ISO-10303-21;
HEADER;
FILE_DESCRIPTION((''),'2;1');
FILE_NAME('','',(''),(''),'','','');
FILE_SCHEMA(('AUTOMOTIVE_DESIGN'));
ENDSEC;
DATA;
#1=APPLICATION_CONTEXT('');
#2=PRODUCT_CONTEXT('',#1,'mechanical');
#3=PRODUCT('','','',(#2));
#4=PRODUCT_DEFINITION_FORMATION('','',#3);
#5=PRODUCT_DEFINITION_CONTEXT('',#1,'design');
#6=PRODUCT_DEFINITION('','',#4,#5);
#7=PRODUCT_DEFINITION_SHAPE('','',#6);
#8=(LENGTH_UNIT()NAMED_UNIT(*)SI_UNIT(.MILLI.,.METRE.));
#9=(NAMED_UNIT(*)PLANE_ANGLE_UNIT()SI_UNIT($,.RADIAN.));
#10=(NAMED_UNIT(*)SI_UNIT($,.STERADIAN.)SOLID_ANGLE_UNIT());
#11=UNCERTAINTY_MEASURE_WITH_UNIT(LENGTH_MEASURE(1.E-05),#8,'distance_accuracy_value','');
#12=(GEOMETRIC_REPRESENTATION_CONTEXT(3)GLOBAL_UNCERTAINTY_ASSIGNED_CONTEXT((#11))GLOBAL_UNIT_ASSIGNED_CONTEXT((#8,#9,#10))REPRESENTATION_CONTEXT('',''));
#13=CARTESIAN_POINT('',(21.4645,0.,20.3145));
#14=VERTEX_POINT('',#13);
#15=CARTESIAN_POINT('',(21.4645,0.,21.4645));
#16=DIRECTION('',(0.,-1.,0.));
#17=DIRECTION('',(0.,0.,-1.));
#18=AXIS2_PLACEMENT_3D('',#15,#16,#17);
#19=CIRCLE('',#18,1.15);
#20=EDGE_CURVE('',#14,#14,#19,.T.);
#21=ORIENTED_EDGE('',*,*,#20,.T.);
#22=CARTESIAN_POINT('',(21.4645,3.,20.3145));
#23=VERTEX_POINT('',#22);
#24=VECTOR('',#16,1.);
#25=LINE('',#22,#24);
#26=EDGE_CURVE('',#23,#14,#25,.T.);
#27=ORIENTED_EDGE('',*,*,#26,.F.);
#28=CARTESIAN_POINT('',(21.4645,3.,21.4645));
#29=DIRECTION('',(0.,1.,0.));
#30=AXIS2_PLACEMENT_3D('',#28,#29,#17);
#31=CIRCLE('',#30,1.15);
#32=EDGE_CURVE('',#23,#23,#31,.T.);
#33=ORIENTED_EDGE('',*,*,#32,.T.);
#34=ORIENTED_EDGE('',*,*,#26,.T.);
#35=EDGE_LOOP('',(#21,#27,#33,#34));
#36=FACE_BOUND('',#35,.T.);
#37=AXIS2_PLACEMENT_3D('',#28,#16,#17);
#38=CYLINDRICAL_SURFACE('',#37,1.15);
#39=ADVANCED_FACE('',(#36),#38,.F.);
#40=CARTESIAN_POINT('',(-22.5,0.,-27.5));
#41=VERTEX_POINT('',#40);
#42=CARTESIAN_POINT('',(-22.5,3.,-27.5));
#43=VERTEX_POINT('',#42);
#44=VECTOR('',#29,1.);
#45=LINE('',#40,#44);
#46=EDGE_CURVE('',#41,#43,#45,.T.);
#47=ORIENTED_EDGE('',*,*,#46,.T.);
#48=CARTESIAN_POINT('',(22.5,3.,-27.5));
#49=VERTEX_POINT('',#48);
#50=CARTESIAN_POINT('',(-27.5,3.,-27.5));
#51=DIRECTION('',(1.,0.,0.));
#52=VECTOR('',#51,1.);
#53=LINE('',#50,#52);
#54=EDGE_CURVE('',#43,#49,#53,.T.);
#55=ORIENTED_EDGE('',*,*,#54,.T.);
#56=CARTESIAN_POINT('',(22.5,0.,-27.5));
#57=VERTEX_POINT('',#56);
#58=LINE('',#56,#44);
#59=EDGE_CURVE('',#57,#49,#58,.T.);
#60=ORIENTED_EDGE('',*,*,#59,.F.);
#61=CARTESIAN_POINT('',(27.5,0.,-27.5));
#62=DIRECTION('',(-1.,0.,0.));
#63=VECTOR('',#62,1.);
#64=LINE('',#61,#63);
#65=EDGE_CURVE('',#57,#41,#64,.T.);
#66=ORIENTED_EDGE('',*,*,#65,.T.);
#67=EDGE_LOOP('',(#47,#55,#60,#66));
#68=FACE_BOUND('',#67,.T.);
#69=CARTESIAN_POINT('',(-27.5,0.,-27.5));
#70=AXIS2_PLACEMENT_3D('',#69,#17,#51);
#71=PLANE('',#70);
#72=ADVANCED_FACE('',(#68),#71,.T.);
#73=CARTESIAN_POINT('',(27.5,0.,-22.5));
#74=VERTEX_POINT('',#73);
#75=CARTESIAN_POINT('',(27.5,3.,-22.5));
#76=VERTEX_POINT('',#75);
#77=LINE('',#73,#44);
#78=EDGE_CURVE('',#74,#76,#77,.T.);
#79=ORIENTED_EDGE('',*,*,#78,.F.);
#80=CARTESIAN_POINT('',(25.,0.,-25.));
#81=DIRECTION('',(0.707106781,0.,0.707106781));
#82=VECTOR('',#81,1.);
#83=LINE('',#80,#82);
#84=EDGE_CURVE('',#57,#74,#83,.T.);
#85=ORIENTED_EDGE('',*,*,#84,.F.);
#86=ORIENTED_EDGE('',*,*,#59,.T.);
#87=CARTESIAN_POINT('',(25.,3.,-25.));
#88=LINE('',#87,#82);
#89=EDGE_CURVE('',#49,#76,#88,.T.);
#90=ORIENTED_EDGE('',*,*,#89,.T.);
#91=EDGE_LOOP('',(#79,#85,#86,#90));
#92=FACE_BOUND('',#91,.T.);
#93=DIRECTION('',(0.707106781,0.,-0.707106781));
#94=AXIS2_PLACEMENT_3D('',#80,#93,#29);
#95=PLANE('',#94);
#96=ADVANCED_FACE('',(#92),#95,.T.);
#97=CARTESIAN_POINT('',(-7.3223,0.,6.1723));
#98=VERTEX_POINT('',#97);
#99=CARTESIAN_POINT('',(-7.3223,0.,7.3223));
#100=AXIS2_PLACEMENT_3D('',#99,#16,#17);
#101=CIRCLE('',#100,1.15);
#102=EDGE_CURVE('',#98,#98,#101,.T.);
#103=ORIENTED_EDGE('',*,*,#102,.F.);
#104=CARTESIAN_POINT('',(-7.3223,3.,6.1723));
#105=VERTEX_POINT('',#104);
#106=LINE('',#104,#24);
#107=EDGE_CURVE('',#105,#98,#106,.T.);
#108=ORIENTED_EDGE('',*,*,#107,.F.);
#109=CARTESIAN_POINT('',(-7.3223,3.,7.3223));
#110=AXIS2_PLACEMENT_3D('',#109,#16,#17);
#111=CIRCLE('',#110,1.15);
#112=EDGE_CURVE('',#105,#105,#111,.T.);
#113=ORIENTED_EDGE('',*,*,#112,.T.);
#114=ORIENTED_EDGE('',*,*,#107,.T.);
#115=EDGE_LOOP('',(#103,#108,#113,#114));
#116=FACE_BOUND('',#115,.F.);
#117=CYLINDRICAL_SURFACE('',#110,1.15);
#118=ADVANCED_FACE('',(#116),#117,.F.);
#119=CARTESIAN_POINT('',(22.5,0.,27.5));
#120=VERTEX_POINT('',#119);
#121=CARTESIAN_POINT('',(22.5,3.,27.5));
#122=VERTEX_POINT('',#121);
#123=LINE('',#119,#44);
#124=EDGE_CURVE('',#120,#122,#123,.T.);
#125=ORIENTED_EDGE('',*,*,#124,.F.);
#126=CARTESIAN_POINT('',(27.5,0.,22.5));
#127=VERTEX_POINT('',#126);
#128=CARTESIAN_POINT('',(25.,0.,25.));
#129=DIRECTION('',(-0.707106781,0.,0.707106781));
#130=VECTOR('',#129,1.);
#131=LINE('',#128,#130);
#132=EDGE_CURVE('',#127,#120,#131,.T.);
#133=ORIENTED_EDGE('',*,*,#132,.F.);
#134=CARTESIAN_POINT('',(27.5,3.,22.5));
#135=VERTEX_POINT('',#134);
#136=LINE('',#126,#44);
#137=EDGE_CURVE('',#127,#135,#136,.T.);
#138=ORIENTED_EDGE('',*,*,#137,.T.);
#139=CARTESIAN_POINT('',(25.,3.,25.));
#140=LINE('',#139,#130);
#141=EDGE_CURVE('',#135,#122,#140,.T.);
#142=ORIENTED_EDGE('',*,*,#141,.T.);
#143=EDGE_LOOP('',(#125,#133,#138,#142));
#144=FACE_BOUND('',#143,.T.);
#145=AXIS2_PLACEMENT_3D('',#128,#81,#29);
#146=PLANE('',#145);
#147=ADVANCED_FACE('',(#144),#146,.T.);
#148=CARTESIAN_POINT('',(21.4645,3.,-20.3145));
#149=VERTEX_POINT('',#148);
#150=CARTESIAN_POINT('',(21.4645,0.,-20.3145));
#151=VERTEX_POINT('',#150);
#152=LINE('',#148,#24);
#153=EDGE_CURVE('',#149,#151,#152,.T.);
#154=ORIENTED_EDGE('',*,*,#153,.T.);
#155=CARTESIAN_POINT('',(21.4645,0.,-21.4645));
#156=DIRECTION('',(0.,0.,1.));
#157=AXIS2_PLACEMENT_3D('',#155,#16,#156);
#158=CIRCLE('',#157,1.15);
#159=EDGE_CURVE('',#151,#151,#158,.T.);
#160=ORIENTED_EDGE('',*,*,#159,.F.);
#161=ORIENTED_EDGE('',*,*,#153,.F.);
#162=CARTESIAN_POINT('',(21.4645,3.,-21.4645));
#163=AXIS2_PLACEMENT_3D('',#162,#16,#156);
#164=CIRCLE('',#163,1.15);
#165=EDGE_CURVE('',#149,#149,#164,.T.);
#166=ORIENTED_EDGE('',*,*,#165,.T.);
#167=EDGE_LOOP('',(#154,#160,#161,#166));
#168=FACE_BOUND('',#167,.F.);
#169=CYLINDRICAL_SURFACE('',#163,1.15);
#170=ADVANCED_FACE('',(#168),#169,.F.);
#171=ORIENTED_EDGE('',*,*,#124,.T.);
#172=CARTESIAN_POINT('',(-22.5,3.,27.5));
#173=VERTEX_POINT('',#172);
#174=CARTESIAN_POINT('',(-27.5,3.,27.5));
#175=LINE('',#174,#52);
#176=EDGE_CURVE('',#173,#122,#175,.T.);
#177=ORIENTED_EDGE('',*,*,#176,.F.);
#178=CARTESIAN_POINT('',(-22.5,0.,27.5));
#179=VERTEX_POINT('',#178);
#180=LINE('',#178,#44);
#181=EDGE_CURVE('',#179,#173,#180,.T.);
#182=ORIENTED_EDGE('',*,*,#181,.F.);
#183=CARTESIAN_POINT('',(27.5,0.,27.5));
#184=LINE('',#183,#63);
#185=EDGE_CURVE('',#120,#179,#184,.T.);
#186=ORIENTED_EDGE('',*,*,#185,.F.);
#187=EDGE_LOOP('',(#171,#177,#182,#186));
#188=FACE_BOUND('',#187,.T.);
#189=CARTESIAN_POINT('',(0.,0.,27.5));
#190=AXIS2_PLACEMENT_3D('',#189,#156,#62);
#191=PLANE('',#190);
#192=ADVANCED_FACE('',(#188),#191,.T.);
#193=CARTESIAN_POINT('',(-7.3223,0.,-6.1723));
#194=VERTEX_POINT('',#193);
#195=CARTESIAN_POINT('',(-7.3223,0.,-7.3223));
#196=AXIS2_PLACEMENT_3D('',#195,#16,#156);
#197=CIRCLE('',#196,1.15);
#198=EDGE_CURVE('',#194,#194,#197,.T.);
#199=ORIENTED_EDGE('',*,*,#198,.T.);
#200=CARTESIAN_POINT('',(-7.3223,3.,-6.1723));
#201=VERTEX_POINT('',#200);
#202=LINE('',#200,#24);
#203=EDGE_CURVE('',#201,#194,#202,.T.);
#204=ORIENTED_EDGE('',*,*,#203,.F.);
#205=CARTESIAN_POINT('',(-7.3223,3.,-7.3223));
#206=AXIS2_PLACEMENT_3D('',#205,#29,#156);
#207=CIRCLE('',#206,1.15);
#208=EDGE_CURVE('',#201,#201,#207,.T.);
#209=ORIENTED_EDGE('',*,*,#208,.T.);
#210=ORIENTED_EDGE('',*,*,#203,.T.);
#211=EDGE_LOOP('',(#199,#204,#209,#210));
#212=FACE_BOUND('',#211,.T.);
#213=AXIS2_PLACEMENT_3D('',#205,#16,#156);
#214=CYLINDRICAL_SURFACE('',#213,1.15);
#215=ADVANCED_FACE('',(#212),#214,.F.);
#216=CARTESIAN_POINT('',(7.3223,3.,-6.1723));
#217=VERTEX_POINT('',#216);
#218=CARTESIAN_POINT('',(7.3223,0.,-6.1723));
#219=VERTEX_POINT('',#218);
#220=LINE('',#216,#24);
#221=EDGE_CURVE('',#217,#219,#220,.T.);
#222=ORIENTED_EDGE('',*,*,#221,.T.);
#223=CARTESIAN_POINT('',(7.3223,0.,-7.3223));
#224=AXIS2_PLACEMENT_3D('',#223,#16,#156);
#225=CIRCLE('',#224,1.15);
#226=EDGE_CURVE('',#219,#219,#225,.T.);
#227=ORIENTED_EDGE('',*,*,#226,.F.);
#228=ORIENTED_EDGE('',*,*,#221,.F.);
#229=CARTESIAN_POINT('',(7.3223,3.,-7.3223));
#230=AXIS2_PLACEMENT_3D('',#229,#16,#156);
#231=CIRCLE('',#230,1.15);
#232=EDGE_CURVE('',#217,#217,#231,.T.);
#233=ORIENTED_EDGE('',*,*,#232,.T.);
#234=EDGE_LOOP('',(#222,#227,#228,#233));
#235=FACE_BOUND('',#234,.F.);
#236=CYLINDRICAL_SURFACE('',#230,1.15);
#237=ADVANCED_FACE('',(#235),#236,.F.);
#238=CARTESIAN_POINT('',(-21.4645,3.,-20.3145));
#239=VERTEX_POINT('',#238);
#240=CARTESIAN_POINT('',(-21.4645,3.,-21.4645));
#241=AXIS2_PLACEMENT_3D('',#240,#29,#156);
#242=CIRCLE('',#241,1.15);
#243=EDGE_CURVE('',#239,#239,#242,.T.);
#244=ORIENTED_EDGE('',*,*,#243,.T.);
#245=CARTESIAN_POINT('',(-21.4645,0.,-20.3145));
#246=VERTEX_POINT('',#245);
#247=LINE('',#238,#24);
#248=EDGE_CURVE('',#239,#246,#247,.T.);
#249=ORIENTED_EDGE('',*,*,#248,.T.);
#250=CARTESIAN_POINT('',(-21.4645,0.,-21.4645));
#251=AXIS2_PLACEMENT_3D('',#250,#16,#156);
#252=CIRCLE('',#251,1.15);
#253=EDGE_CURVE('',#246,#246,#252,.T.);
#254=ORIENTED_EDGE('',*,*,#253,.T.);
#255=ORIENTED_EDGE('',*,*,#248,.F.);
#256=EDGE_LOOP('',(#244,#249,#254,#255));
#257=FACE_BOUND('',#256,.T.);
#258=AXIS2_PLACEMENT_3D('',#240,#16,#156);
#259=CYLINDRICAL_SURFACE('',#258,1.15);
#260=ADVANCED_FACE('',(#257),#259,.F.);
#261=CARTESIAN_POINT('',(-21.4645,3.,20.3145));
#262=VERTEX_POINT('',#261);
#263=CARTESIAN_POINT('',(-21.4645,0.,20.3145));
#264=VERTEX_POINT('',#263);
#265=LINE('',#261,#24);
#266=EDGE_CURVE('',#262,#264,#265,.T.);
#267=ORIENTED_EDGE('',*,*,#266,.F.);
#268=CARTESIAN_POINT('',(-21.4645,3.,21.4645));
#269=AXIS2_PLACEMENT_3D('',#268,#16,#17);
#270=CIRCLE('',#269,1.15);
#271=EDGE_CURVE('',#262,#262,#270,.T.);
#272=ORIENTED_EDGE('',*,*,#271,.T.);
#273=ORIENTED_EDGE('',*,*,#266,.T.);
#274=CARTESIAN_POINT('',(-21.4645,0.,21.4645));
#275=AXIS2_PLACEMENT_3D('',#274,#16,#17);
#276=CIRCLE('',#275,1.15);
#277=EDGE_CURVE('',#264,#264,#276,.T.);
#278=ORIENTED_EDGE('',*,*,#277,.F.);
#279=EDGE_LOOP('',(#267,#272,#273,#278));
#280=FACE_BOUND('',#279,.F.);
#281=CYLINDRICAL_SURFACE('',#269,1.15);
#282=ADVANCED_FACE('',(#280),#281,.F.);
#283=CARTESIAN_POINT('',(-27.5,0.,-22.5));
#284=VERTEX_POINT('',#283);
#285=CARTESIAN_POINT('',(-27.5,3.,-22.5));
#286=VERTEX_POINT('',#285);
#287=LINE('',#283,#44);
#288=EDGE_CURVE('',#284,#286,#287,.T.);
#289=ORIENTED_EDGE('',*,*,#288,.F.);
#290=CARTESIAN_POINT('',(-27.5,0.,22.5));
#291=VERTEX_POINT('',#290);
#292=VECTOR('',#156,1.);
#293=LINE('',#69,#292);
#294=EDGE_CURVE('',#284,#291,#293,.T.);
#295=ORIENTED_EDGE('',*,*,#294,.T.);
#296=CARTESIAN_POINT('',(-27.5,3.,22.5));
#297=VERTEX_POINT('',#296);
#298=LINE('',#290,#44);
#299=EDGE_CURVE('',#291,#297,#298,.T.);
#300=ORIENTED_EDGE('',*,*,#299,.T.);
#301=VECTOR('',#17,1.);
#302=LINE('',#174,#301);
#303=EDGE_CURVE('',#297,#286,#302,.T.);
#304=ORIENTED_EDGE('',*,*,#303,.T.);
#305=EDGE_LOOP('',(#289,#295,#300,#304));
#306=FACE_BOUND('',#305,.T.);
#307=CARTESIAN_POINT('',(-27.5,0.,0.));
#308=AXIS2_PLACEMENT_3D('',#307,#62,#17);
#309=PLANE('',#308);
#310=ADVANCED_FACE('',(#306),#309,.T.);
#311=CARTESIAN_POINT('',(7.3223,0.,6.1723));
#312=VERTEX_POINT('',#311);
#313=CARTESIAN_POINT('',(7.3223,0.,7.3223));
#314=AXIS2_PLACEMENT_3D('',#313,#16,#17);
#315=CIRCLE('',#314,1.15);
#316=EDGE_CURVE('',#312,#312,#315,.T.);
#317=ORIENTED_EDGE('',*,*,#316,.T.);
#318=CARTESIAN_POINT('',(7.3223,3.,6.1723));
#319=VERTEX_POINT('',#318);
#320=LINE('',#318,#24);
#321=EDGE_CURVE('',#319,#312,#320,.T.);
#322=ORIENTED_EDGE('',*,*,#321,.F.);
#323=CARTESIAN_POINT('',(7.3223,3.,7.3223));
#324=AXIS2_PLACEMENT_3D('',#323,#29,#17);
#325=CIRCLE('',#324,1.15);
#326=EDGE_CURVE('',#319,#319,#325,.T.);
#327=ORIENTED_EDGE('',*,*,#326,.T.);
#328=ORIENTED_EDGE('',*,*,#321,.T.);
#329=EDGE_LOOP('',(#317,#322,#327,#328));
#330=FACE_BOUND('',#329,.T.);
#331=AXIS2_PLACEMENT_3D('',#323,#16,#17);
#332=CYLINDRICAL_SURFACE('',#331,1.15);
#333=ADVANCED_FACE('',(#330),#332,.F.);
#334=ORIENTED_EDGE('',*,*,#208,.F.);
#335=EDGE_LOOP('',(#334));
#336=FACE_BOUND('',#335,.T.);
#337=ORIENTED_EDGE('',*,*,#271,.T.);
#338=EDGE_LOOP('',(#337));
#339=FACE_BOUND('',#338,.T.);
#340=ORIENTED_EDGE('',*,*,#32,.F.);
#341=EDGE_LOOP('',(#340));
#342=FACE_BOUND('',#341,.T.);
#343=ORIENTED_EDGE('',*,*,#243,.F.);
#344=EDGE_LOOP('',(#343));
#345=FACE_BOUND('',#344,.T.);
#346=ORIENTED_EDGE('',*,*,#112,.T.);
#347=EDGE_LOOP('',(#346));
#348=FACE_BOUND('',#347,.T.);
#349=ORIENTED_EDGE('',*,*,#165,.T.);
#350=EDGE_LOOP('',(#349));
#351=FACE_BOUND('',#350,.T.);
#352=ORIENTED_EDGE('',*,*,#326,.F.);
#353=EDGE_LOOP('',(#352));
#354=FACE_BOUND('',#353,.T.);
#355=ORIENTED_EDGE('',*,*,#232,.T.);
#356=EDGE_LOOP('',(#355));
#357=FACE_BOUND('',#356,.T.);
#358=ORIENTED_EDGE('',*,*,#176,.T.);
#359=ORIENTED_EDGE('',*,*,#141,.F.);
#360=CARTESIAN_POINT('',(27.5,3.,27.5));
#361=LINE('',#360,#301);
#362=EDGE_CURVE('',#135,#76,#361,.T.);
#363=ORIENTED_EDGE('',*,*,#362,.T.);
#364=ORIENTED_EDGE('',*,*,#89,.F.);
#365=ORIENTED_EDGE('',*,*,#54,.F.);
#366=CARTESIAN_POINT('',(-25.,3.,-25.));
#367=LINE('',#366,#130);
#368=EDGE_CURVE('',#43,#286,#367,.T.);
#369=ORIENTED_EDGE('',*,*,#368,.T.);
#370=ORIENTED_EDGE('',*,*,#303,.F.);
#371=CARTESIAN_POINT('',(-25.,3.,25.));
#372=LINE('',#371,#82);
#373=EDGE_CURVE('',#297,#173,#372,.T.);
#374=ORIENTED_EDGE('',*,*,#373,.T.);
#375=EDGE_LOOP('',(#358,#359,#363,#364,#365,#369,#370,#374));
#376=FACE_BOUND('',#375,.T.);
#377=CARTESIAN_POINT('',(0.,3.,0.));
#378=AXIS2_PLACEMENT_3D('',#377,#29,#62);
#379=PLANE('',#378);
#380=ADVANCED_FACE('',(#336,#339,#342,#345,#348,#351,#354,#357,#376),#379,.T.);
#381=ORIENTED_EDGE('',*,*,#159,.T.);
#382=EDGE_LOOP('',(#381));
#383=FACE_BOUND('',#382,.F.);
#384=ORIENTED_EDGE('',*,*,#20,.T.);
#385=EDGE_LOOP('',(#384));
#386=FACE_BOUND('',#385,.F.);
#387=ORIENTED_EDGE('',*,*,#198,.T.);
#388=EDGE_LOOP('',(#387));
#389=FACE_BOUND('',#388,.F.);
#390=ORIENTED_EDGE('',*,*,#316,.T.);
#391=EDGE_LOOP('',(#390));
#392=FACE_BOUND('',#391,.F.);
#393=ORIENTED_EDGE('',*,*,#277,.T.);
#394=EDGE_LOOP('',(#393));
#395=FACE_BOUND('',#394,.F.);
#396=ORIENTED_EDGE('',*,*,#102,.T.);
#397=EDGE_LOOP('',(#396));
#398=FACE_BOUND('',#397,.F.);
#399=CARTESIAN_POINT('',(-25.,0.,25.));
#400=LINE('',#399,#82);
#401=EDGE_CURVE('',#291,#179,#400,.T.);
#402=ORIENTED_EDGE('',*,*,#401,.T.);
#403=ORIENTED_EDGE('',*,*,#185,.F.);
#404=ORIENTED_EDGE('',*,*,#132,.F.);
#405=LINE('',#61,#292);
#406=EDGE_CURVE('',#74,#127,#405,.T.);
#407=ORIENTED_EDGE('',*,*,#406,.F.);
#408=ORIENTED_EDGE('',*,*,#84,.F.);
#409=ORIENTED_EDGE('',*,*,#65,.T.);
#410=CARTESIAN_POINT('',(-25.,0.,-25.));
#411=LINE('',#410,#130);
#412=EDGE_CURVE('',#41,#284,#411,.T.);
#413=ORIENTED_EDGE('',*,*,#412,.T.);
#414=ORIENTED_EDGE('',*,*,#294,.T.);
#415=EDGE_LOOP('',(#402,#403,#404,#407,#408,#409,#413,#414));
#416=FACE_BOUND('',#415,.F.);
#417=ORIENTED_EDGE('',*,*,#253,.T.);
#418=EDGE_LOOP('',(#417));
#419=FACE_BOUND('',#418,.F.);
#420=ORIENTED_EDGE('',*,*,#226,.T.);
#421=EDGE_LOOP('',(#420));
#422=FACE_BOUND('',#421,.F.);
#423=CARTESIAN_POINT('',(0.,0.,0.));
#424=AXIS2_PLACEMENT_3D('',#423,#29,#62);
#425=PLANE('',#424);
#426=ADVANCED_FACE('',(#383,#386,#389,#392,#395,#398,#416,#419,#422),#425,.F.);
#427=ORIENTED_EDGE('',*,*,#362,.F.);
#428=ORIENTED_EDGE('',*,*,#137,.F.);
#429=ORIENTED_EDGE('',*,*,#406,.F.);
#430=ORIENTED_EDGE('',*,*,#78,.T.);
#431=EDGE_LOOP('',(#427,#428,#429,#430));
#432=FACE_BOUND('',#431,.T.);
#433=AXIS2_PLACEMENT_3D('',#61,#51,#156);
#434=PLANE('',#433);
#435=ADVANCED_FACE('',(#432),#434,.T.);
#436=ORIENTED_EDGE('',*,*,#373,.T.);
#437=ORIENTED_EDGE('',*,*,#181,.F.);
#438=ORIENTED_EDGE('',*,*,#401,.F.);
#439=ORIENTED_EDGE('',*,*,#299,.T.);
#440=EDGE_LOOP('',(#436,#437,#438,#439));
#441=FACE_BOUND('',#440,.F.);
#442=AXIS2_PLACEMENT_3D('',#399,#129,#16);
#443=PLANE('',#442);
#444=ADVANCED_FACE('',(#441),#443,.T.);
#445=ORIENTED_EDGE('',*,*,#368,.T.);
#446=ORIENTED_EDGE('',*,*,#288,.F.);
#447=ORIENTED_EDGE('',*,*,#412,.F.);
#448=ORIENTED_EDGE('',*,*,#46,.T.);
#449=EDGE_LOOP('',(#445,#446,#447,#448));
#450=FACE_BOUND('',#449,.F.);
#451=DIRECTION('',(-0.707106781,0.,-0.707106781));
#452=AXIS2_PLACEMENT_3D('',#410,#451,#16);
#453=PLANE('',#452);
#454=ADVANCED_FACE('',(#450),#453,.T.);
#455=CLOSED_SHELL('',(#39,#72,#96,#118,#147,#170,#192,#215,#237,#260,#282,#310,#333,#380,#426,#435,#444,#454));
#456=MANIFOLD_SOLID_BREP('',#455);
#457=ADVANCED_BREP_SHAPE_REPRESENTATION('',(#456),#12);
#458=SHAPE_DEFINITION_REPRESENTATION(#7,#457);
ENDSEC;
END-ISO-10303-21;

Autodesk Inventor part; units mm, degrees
ref_plane "YZ Plane" through (0, 0, 0) normal (1, 0, 0) x (0, 1, 0)
ref_plane "XZ Plane" through (0, 0, 0) normal (0, 1, 0) x (-1, 0, 0)
ref_plane "XY Plane" through (0, 0, 0) normal (0, 0, 1) x (1, 0, 0)
sketch "Sketch1" plane through (0, 0, 0) normal (0, 1, 0) x (-1, 0, 0)
  line L0 (27.5, -27.5) -> (-27.5, -27.5)
  line L1 (-27.5, -27.5) -> (-27.5, 27.5)
  line L2 (-27.5, 27.5) -> (27.5, 27.5)
  line L3 (27.5, 27.5) -> (27.5, -27.5)
  line L4 (27.5, 0) -> (-27.5, 0)
  line L5 (0, -27.5) -> (0, 27.5)
  point P0 (0, 0)
  dimension "d3" = 55
  dimension "d4" = 55
extrude "Extrusion1" add sketch "Sketch1" along normal blind 3
chamfer "Chamfer1" distance 5 angle 45 4 edges at (-27.5, 1.5, 27.5) (27.5, 1.5, 27.5) (27.5, 1.5, -27.5) (-27.5, 1.5, -27.5)
sketch "Sketch3" plane through (0, 3, 0) normal (0, 1, 0) x (1, 0, 0)
  line L0 (22.5, 27.5) -> (27.5, 22.5) projected
  line L1 (25, 25) -> (-25, -25)
  line L2 (-22.5, -27.5) -> (-27.5, -22.5) projected
  point P0 (0, 0)
  point P1 (7.3223, 7.3223)
  point P2 (21.4645, 21.4645)
  dimension "d12" = 20
  dimension "d13" = 5
hole "Hole1" at (7.3223, 3, -7.3223) at (21.4645, 3, -21.4645) direction (0, -1, 0) diameter 2.3 end through all
mirror "Mirror1" about plane through (0, 0, 0) normal (0, 0, 1) of "Hole1"
mirror "Mirror2" about plane through (0, 0, 0) normal (1, 0, 0) of "Hole1", "Mirror1"
properties part number "Top Plate"
